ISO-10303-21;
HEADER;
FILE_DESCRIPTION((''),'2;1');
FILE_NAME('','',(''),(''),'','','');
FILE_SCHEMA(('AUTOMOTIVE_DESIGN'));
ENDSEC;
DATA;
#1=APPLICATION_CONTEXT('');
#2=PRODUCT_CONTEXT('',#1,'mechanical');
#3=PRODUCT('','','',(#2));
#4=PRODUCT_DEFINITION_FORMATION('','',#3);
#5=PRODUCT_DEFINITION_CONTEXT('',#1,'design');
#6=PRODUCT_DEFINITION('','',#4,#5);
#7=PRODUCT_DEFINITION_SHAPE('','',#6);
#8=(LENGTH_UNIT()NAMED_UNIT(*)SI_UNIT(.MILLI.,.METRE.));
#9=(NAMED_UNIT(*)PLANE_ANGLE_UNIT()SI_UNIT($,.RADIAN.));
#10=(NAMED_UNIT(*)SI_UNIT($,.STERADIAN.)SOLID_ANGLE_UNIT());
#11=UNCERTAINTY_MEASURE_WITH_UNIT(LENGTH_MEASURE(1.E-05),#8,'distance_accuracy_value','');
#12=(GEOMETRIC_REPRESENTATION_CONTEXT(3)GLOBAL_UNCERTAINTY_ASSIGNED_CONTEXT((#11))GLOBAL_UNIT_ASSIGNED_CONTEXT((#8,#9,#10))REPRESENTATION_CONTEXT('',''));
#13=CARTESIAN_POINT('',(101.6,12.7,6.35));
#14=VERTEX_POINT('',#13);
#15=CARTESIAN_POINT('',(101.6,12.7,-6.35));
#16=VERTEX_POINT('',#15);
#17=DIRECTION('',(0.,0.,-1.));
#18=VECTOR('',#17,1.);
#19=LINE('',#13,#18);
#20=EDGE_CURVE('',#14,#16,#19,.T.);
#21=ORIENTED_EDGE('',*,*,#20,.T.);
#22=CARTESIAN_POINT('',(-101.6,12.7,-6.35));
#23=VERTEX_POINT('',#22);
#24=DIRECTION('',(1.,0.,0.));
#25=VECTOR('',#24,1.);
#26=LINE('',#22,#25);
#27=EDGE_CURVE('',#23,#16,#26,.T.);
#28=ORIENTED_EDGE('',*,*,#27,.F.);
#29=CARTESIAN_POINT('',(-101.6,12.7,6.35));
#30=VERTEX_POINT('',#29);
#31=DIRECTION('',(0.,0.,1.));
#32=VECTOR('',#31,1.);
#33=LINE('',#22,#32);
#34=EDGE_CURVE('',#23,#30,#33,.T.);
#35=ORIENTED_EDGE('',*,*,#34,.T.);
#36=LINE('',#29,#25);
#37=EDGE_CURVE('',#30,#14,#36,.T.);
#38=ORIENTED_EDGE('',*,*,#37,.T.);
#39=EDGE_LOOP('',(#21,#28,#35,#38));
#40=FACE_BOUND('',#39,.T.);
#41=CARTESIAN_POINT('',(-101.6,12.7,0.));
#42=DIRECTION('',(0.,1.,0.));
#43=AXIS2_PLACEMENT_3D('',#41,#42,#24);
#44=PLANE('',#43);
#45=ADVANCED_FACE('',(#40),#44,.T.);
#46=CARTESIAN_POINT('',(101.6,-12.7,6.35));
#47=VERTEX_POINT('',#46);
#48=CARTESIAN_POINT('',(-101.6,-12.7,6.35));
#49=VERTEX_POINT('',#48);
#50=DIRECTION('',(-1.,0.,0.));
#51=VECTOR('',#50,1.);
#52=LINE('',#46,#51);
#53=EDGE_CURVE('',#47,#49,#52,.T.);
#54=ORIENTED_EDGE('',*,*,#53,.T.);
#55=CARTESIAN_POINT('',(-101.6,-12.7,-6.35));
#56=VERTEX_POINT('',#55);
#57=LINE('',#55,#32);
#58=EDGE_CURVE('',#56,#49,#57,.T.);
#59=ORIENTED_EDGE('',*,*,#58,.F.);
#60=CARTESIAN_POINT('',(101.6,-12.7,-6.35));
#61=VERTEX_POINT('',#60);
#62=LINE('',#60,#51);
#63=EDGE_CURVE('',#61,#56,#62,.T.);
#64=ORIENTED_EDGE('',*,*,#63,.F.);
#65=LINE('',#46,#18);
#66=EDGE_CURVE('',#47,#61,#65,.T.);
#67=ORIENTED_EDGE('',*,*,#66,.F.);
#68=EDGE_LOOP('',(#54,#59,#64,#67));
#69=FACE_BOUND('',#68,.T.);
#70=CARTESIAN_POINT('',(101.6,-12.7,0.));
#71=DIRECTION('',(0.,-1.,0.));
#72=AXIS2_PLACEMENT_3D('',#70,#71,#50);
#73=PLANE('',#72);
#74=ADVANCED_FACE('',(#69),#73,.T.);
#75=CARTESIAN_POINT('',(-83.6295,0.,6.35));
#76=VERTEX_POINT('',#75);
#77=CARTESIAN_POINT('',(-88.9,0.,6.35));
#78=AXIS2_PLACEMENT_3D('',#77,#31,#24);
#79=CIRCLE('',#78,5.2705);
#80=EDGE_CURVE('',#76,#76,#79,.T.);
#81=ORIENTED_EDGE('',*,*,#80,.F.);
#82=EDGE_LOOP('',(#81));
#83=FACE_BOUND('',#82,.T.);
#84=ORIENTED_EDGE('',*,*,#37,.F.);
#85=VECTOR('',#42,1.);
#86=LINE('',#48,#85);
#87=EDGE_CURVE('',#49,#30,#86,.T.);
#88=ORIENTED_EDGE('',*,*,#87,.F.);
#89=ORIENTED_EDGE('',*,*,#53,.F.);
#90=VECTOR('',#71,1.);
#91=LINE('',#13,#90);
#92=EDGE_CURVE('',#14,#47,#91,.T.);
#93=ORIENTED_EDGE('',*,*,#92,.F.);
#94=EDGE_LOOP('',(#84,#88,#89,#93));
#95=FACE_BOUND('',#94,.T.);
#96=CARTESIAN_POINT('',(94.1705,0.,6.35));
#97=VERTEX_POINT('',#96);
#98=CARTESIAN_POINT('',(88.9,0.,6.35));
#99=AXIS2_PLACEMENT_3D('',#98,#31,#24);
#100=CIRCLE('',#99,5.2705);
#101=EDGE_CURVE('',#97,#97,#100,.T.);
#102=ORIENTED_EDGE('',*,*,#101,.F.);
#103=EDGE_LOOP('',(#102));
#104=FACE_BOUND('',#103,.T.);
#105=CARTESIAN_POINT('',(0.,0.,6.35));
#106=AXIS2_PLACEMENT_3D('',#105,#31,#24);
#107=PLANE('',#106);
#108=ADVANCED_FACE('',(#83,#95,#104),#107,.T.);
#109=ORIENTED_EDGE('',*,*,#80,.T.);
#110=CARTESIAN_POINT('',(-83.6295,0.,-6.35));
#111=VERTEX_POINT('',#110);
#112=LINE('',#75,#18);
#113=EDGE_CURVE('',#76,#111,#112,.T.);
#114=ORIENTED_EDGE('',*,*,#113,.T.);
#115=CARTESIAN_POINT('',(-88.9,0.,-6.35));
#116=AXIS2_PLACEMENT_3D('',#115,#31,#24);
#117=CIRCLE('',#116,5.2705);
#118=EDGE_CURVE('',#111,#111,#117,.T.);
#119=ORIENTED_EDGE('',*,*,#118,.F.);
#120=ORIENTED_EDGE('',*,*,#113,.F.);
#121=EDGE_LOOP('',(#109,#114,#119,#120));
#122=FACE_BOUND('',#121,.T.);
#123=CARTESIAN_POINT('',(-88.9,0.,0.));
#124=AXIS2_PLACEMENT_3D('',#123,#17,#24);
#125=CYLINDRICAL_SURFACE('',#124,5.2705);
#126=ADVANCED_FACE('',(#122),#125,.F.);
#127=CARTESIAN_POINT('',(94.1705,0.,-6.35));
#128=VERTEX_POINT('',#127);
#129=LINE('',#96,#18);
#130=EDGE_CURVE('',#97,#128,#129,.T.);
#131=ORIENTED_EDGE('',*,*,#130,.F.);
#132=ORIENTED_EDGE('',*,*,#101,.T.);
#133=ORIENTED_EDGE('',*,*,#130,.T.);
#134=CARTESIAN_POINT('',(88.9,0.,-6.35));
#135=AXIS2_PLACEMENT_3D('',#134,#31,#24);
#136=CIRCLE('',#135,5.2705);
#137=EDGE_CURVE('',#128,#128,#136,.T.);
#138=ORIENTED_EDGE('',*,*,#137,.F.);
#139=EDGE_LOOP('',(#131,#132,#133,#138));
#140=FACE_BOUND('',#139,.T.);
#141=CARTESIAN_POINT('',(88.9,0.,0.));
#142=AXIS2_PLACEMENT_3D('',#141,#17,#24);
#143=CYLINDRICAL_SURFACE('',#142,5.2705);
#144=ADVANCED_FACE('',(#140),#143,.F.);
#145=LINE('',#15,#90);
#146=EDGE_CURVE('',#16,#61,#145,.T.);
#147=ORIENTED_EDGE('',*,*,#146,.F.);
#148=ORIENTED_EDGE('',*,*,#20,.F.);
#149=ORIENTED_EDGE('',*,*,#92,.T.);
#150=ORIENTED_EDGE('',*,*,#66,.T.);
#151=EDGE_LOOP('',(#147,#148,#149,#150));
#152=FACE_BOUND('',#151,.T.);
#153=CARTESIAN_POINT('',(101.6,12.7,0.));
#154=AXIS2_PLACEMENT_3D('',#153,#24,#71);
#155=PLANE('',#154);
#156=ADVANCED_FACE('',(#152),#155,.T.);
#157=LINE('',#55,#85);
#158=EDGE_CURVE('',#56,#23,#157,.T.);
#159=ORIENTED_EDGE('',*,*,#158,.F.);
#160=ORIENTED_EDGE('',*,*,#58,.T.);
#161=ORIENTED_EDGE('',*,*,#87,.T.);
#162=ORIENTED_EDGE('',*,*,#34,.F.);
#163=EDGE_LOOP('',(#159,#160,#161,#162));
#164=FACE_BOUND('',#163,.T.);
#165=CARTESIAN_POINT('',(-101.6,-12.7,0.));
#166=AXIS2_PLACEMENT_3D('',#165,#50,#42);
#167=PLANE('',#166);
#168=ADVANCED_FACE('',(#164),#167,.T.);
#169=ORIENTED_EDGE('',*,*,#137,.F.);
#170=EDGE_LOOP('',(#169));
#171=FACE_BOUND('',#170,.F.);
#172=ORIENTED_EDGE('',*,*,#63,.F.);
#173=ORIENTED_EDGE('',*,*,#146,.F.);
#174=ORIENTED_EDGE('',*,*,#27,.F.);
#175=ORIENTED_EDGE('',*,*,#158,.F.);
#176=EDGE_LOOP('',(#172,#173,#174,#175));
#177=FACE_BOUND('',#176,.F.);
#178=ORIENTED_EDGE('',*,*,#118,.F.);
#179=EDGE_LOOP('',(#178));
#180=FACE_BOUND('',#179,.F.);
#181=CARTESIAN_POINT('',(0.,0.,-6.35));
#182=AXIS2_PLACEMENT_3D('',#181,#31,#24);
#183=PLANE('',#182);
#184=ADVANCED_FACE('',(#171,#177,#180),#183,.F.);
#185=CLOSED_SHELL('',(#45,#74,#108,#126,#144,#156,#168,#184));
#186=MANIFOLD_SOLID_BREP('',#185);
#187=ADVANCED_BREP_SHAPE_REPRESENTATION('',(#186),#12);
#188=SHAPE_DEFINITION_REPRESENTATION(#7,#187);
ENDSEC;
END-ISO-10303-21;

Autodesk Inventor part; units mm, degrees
ref_plane "YZ Plane" through (0, 0, 0) normal (1, 0, 0) x (0, 1, 0)
ref_plane "XZ Plane" through (0, 0, 0) normal (0, 1, 0) x (-1, 0, 0)
ref_plane "XY Plane" through (0, 0, 0) normal (0, 0, 1) x (1, 0, 0)
sketch "Sketch1" plane through (0, 0, 0) normal (0, 0, 1) x (1, 0, 0)
  line L0 (-101.6, 12.7) -> (101.6, 12.7)
  line L1 (101.6, 12.7) -> (101.6, -12.7)
  line L2 (101.6, -12.7) -> (-101.6, -12.7)
  line L3 (-101.6, -12.7) -> (-101.6, 12.7)
  line L4 (-101.6, 12.7) -> (101.6, -12.7) construction
  line L5 (101.6, 12.7) -> (-101.6, -12.7) construction
  circle A0 centre (-88.9, 0) radius 5.2705
  circle A1 centre (88.9, 0) radius 5.2705
  point P0 (0, 0)
  dimension "d0" = 203.2
  dimension "d1" = 25.4
  dimension "d2" = 10.541
  dimension "d3" = 12.7
  dimension "d5" = 12.7
extrude "Extrusion1" add sketch "Sketch1" along normal mid plane 12.7
properties part number "connectingRod"
